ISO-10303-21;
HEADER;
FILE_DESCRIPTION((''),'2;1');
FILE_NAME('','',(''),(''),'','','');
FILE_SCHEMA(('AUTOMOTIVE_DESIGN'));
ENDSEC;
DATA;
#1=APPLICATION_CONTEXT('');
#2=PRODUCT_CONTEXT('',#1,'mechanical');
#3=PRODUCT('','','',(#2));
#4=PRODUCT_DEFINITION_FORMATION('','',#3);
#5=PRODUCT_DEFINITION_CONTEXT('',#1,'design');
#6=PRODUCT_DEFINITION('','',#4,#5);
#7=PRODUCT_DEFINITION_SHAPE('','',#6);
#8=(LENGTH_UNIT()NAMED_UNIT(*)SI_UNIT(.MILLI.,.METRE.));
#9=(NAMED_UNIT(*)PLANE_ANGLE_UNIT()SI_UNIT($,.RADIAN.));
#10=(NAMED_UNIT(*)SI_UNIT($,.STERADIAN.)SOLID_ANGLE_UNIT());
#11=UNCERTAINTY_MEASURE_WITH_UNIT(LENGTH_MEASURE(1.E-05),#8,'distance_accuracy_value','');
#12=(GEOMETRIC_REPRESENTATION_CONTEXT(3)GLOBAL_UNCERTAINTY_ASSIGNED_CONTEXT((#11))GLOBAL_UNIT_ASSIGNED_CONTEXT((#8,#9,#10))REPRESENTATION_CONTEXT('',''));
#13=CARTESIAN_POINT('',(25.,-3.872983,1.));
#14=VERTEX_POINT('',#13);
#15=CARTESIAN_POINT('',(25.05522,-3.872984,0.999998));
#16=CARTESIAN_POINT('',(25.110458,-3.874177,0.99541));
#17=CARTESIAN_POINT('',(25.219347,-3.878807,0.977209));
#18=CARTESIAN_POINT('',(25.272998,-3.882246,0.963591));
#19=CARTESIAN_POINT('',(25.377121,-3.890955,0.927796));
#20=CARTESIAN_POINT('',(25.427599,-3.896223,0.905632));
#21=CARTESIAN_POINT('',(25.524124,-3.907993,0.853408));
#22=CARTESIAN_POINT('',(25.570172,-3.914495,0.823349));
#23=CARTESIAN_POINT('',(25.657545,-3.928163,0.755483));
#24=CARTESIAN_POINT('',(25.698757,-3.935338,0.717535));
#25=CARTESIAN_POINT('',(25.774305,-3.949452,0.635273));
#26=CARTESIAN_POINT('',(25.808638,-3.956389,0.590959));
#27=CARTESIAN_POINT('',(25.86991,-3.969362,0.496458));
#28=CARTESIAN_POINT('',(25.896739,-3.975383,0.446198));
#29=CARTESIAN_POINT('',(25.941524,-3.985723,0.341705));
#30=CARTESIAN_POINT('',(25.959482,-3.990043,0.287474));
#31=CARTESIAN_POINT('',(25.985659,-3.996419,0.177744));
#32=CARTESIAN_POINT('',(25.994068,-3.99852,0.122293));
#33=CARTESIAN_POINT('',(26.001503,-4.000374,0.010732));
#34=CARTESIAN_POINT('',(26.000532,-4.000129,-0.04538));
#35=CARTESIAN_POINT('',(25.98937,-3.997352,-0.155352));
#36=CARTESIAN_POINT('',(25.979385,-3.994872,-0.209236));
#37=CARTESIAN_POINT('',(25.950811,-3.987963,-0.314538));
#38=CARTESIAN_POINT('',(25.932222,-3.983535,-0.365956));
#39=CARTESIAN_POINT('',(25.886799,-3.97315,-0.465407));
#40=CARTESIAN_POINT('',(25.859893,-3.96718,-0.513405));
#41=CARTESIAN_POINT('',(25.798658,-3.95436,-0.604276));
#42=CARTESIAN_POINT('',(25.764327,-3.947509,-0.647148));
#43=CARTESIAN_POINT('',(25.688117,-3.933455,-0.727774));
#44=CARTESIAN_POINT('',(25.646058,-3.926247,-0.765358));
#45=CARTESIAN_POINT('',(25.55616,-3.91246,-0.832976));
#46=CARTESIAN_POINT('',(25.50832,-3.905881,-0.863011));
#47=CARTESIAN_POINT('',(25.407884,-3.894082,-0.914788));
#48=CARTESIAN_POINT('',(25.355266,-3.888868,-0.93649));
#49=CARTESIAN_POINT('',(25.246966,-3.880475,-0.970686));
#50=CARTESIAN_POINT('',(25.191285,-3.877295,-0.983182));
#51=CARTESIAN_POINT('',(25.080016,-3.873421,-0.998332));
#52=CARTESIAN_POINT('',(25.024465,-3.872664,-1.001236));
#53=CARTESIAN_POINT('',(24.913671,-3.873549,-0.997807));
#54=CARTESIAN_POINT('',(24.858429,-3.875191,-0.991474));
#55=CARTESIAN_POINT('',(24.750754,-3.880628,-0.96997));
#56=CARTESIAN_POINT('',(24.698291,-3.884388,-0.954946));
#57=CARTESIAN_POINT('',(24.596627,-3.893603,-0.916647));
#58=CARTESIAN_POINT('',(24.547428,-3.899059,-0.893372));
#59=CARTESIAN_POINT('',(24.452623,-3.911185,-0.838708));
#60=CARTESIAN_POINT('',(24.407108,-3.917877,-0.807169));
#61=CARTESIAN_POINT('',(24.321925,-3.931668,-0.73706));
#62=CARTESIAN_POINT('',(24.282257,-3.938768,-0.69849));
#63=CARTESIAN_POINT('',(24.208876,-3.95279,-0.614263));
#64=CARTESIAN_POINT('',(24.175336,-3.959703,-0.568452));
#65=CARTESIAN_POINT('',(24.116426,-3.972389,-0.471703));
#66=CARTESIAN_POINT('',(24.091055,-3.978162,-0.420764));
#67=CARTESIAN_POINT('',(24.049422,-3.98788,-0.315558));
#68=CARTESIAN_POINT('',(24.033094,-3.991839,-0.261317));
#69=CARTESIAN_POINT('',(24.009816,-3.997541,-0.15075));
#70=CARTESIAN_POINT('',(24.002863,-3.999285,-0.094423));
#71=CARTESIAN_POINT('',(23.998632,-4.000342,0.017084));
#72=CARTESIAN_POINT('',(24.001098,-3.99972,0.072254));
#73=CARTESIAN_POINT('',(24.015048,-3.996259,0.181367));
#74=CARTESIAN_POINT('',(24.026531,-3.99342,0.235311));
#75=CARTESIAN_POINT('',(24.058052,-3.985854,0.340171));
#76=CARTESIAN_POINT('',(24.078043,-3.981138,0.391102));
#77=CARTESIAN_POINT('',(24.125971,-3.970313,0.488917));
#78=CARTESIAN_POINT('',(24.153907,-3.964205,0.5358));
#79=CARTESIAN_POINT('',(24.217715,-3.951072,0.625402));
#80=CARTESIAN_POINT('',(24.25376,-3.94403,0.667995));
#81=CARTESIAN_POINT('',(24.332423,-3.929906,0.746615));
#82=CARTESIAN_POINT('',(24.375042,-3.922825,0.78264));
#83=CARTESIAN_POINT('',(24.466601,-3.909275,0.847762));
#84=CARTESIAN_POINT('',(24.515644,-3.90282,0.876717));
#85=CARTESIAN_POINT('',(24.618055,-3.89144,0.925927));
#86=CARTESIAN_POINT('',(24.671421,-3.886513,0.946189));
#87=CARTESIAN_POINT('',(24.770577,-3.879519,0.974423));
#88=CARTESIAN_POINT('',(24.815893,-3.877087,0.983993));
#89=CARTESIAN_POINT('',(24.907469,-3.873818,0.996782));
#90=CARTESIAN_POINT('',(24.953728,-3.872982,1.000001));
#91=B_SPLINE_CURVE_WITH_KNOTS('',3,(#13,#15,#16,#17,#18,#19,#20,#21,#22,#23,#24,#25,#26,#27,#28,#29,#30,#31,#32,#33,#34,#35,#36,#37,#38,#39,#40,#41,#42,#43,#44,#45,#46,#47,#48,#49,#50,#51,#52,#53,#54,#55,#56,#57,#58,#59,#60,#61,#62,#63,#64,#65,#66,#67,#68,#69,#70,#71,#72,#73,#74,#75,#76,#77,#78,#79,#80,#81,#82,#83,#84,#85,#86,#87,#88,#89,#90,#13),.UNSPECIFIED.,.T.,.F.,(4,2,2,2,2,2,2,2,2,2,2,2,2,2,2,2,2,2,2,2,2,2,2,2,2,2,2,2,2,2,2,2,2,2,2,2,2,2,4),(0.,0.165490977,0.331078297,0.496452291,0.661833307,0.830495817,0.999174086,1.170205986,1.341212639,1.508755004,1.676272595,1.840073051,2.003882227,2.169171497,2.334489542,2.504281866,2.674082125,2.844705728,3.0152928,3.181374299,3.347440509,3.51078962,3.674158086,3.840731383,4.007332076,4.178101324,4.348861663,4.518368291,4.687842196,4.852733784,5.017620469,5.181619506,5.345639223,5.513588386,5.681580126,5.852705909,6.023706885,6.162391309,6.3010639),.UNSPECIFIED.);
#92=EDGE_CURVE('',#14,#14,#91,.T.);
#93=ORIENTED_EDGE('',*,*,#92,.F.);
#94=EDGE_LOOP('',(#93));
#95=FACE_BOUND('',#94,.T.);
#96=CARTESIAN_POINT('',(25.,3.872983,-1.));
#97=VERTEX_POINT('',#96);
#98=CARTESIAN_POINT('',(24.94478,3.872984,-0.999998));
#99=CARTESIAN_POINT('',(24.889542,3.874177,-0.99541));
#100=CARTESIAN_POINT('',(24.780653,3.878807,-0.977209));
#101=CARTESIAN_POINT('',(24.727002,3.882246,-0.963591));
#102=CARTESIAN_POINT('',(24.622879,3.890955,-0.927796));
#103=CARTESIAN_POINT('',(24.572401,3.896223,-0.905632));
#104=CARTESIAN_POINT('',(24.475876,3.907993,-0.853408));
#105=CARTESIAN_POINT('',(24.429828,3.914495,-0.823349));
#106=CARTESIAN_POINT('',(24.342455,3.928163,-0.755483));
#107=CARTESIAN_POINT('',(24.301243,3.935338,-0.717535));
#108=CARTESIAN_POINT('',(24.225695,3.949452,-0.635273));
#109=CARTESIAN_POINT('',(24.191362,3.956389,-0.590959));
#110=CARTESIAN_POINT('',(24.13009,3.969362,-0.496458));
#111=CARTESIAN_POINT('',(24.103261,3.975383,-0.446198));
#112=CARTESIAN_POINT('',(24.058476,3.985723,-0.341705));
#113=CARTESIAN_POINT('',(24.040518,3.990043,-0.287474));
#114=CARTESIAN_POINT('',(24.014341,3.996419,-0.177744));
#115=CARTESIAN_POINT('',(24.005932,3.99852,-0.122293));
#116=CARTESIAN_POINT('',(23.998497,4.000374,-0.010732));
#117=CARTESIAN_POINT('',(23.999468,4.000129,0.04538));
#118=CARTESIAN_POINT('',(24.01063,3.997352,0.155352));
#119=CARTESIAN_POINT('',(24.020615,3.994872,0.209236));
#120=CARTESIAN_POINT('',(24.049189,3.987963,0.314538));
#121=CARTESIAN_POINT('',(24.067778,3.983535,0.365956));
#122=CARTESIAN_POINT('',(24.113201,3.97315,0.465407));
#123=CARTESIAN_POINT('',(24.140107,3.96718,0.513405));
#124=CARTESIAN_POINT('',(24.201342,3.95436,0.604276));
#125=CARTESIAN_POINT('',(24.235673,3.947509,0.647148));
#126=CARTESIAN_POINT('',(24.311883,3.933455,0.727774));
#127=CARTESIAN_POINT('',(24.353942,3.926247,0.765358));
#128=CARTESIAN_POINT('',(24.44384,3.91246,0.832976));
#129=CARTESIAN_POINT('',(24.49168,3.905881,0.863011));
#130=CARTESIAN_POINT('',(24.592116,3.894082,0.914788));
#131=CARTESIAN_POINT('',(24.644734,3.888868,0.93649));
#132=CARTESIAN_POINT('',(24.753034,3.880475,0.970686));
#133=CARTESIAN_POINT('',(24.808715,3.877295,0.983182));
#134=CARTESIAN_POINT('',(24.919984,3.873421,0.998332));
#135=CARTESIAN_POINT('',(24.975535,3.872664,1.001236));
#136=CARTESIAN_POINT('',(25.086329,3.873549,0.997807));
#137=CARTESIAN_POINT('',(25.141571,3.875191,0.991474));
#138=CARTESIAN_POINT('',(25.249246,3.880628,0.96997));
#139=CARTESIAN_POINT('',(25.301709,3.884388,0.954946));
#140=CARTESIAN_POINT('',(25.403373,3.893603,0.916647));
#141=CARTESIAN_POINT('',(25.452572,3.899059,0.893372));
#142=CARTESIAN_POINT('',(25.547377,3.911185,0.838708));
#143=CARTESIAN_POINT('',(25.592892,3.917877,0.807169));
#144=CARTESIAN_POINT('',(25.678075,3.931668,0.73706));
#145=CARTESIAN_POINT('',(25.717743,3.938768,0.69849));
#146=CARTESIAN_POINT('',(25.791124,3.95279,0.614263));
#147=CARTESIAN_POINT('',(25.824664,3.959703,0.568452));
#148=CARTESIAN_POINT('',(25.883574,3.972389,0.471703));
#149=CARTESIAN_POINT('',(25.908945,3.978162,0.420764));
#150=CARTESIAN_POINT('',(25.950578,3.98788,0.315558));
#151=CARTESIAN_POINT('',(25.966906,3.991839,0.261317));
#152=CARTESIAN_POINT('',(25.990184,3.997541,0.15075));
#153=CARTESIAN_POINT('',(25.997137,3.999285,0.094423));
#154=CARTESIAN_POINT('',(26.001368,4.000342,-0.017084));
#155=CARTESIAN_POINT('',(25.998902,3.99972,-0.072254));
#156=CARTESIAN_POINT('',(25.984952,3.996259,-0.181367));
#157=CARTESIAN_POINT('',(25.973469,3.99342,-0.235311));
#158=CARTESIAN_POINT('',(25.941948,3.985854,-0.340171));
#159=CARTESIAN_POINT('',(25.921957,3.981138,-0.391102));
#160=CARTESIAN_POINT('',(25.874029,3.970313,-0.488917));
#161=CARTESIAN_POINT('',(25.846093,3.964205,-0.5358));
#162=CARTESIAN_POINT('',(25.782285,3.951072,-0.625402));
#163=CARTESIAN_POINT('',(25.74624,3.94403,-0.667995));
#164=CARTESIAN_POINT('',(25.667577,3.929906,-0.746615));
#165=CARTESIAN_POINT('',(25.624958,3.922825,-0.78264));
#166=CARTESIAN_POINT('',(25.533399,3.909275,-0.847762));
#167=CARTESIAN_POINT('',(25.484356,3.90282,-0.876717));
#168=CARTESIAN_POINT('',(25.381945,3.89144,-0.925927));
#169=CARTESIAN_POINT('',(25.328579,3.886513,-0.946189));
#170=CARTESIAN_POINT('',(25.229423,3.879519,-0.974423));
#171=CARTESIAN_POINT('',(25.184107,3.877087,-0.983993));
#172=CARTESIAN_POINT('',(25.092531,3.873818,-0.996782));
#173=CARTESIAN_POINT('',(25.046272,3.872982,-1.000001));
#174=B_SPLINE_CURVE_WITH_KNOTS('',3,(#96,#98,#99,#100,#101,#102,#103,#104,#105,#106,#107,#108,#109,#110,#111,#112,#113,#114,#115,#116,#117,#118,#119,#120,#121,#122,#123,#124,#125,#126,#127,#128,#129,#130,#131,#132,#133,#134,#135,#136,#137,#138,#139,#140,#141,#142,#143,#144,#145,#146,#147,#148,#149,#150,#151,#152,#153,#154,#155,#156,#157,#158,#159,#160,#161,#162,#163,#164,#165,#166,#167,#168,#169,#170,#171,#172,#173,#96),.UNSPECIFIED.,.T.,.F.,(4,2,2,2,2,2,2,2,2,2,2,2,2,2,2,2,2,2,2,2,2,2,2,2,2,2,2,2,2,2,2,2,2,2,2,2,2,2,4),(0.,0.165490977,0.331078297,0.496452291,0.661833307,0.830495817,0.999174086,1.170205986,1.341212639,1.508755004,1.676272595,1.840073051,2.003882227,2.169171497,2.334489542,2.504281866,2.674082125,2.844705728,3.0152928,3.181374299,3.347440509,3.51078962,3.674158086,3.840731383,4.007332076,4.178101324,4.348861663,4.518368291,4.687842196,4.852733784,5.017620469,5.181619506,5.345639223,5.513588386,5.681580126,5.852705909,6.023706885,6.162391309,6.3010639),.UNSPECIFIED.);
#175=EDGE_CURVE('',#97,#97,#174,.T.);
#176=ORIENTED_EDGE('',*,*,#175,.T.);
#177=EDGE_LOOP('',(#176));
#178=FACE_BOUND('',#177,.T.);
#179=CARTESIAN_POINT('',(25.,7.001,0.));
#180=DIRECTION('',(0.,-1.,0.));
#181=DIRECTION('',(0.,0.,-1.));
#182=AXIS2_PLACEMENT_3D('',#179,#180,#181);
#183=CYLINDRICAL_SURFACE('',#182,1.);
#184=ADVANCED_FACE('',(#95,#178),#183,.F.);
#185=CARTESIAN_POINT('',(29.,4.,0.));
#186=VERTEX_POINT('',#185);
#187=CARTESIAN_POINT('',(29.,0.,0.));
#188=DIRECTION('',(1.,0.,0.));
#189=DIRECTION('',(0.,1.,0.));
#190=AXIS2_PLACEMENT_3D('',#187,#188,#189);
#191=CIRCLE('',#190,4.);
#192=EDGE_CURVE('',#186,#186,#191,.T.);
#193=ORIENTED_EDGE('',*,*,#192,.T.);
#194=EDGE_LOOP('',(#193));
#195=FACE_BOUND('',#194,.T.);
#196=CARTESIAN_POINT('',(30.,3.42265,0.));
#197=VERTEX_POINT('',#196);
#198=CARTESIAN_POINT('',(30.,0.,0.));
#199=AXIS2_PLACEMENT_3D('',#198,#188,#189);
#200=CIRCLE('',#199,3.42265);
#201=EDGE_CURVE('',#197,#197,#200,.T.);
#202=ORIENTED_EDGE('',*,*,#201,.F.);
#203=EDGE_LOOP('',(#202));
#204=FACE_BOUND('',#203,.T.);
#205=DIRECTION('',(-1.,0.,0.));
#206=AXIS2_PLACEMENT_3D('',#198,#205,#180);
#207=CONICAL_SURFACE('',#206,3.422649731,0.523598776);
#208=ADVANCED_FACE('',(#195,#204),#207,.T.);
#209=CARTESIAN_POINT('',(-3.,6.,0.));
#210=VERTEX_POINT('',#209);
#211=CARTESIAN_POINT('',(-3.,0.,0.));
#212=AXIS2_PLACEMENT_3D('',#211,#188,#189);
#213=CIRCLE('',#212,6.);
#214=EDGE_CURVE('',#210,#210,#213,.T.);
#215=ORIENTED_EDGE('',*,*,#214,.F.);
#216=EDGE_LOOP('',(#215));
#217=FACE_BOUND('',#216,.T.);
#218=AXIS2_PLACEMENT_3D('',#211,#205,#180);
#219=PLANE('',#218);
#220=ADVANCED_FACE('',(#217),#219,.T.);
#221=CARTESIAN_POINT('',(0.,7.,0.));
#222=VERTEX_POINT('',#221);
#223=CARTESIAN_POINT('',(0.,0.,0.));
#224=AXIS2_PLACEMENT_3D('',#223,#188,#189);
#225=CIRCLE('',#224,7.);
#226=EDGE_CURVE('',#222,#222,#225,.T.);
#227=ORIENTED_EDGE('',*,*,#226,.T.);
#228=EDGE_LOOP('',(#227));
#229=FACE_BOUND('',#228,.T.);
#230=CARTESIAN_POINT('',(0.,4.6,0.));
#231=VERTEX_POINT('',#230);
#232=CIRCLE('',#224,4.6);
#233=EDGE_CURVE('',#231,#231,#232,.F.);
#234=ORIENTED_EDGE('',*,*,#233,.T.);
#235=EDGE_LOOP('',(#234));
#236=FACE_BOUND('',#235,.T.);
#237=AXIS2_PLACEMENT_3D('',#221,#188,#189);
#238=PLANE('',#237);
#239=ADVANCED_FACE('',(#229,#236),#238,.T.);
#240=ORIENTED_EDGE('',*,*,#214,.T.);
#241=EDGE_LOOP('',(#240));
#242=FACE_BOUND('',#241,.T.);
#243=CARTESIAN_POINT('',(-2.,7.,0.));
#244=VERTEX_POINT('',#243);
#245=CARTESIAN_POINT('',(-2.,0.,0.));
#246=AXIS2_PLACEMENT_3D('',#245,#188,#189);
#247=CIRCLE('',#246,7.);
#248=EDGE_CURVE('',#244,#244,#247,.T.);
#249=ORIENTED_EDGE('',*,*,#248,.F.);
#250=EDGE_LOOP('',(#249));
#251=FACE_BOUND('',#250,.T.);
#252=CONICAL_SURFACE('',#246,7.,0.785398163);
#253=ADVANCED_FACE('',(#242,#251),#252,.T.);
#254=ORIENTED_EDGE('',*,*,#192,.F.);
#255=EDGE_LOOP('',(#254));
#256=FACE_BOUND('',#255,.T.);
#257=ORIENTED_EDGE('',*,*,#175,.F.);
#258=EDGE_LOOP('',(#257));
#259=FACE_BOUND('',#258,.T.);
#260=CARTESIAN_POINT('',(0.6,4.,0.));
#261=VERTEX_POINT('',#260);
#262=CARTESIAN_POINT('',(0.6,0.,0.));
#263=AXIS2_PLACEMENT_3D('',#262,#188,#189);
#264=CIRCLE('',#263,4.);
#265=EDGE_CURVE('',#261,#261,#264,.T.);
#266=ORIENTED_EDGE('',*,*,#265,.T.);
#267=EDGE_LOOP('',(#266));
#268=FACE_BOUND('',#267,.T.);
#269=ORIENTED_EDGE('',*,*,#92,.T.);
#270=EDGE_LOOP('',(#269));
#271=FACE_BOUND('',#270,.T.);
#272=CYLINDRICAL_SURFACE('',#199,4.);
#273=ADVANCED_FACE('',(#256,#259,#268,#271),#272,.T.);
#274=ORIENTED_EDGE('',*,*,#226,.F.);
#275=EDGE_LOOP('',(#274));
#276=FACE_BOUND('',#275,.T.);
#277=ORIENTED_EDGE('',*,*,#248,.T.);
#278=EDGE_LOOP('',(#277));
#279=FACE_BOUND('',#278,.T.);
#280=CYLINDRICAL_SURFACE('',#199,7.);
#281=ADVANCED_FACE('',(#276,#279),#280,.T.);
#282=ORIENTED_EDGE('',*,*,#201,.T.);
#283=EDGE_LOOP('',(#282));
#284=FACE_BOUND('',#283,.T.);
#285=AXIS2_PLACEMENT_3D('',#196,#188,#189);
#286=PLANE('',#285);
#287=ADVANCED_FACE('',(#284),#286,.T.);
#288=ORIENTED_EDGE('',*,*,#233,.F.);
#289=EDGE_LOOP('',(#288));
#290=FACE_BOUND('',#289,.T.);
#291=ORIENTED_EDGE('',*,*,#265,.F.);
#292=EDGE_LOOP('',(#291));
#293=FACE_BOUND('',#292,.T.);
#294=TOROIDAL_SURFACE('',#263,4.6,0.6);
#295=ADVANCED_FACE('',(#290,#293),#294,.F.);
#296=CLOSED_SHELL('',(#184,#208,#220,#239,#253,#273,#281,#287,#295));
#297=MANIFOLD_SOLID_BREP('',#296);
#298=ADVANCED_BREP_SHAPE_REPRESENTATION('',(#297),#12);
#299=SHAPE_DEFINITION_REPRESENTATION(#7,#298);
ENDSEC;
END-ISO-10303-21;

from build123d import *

# Parameters (mm, degrees)
VERRUNDUNG1_R                               = 0.6
SCHNITT_LINEAR_AUSTRAGEN1_REACH             = 9
SKIZZE2_R                                   = 1
SCHNITT_LINEAR_AUSTRAGEN1_DIRECTION_2_REACH = 9


with BuildPart() as part:
    # Skizze1 → Rotation1 (revolve)
    with BuildSketch(Plane.XY):
        Polygon((-3, 0), (-3, 6), (-2, 7), (0, 7), (0, 4), (29, 4), (30, 3.422649731), (30, 0), align=None)
    revolve(axis=Axis((30, 0, 0), (-1, 0, 0)))

    # Verrundung1
    verrundung1_edges = [part.edges().sort_by_distance(p)[0] for p in [
        (0, -4, 0),
    ]]
    fillet(verrundung1_edges, radius=VERRUNDUNG1_R)

    # Skizze2 → Schnitt-Linear austragen1 (cut, up to next)
    with BuildSketch(Plane(origin=(0, 0, 0), x_dir=(1, 0, 0), z_dir=(0, 1, 0)), mode=Mode.PRIVATE) as schnitt_linear_austragen1_sk1:
        with Locations((25, 0)):
            Circle(SKIZZE2_R)
    schnitt_linear_austragen1_tool1 = extrude(schnitt_linear_austragen1_sk1.sketch, amount=-SCHNITT_LINEAR_AUSTRAGEN1_REACH, mode=Mode.PRIVATE) & part.part
    add(schnitt_linear_austragen1_tool1.solids().sort_by_distance((25, 0, 0))[0], mode=Mode.SUBTRACT)

    # Skizze2 → Schnitt-Linear austragen1 direction 2 (cut, up to next)
    with BuildSketch(Plane(origin=(0, 0, 0), x_dir=(1, 0, 0), z_dir=(0, 1, 0)), mode=Mode.PRIVATE) as schnitt_linear_austragen1_direction_2_sk1:
        with Locations((25, 0)):
            Circle(SKIZZE2_R)
    schnitt_linear_austragen1_direction_2_tool1 = extrude(schnitt_linear_austragen1_direction_2_sk1.sketch, amount=SCHNITT_LINEAR_AUSTRAGEN1_DIRECTION_2_REACH, mode=Mode.PRIVATE) & part.part
    add(schnitt_linear_austragen1_direction_2_tool1.solids().sort_by_distance((25, 0, 0))[0], mode=Mode.SUBTRACT)


solid = part.part
